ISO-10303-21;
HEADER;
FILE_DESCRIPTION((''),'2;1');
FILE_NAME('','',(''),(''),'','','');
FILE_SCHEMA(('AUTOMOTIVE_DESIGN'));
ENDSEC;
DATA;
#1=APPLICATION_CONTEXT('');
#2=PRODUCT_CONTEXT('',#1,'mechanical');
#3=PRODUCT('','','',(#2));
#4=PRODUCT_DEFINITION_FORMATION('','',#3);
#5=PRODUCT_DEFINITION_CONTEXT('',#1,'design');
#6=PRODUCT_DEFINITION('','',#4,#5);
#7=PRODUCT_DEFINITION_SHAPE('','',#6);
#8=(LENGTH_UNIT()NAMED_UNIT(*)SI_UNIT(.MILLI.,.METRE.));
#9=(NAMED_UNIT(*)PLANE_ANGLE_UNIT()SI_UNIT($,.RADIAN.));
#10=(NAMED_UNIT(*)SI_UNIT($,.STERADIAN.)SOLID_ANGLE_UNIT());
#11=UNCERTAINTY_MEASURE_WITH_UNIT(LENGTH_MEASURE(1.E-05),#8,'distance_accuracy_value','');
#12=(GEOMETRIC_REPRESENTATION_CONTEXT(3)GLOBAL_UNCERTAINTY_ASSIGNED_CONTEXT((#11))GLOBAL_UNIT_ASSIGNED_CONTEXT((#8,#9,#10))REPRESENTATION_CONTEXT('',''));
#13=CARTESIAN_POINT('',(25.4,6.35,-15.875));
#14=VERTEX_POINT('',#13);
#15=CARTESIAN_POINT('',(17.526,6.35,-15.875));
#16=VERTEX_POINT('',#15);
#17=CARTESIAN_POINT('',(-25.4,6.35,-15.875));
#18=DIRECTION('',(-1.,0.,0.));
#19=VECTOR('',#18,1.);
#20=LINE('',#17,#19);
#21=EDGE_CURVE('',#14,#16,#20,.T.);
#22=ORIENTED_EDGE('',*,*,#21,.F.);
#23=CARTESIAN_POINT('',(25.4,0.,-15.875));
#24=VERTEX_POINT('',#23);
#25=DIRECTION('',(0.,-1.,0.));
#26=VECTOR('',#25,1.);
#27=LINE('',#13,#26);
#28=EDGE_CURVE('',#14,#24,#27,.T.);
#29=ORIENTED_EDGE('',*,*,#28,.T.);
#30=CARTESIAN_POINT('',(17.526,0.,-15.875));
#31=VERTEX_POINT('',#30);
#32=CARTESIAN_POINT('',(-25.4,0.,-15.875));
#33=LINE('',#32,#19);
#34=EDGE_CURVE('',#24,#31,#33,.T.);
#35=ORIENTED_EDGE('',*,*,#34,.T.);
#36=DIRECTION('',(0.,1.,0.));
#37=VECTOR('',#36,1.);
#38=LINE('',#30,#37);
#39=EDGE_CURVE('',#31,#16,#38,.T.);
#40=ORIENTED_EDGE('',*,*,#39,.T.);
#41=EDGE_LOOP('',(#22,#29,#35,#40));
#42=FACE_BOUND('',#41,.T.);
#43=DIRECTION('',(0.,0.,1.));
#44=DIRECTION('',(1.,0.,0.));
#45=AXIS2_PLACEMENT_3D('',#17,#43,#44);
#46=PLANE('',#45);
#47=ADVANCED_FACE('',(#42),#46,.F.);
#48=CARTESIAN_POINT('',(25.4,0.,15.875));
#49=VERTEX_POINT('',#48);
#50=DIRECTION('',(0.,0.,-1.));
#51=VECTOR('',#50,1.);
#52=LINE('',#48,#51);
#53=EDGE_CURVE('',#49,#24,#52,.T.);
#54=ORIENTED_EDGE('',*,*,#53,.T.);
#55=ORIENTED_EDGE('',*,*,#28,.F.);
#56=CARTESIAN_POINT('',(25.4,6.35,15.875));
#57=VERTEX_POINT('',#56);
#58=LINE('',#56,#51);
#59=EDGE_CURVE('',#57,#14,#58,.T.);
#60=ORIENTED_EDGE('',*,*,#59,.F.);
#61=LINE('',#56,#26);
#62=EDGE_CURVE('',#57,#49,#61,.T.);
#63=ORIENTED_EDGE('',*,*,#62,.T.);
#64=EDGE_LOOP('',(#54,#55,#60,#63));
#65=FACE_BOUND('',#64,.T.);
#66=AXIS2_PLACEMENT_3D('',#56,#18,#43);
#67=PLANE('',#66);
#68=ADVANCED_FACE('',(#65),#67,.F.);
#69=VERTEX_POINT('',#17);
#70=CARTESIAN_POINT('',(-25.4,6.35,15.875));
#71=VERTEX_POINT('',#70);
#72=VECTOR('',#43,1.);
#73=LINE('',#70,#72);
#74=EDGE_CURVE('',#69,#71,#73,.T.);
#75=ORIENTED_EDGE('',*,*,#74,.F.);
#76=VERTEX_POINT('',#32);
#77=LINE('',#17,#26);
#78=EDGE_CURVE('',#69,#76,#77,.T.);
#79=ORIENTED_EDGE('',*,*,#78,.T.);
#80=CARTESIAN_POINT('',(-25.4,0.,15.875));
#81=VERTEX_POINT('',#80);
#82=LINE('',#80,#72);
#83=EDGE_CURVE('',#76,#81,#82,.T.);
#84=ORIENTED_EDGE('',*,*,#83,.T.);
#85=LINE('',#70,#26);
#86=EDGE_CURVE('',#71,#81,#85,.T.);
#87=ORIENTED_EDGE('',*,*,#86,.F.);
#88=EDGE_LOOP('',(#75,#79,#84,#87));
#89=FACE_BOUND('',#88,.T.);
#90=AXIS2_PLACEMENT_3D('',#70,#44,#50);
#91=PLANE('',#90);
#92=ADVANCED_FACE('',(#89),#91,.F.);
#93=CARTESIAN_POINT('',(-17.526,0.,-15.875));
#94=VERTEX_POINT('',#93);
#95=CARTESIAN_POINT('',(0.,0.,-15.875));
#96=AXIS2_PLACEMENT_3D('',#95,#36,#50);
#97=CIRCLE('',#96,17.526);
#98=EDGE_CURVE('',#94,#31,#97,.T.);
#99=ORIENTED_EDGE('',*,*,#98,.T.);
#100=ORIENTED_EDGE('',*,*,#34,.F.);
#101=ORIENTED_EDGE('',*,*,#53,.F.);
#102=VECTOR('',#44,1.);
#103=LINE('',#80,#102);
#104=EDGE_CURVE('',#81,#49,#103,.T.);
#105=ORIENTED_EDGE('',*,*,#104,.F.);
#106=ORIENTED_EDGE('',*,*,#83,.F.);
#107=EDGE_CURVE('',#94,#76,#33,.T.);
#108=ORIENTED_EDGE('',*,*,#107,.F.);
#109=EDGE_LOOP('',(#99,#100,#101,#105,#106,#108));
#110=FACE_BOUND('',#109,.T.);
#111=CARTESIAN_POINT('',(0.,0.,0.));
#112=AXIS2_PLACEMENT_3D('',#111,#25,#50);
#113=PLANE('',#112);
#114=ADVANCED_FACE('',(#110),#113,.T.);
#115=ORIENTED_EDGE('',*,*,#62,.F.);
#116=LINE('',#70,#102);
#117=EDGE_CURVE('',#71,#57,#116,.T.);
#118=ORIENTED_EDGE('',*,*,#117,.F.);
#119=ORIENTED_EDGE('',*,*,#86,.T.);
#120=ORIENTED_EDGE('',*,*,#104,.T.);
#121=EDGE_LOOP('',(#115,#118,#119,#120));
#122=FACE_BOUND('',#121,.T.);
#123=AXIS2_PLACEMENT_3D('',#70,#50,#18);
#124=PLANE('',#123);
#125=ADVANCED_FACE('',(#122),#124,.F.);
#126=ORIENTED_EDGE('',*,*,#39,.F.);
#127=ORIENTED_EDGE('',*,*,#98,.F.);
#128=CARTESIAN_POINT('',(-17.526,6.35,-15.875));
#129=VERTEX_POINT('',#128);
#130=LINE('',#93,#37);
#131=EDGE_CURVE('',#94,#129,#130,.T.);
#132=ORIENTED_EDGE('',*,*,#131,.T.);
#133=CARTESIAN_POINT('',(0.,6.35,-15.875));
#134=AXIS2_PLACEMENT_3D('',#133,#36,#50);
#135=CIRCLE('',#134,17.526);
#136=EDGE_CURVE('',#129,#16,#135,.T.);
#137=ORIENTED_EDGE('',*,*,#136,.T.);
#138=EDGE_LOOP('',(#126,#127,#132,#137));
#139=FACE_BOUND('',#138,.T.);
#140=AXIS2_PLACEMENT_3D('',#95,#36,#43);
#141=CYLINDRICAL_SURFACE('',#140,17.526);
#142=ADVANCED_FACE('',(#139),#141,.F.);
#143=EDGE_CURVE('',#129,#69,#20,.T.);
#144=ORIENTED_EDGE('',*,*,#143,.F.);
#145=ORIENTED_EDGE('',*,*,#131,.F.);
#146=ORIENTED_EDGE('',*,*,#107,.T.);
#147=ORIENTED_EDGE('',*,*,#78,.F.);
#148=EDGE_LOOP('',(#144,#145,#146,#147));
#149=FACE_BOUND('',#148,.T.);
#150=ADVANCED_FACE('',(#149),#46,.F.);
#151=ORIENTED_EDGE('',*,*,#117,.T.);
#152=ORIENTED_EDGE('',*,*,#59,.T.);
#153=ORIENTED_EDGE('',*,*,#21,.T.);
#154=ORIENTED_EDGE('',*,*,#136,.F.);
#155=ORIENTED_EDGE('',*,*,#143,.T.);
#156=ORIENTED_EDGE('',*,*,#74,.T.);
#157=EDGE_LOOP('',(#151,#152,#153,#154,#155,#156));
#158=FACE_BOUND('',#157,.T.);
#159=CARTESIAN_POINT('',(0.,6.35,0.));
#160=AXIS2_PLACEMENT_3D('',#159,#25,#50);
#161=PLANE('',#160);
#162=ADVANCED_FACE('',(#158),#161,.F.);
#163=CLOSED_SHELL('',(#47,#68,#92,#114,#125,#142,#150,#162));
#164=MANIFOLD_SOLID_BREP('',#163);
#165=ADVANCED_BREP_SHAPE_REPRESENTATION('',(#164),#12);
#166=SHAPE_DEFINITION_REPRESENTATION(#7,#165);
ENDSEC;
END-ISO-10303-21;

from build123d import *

# Parameters (mm, degrees)
SKETCH1_W           = 50.8
SKETCH1_H           = 31.75
BOSS_EXTRUDE1_DEPTH = 6.35
CUT_EXTRUDE1_DEPTH  = 6.35


with BuildPart() as part:
    # Sketch1 → Boss-Extrude1 (new body)
    with BuildSketch(Plane(origin=(0, 0, 0), x_dir=(1, 0, 0), z_dir=(0, 1, 0))):
        Rectangle(SKETCH1_W, SKETCH1_H)
    extrude(amount=BOSS_EXTRUDE1_DEPTH)

    # Sketch2 → Cut-Extrude1 (cut)
    with BuildSketch(Plane(origin=(0, 6.35, 0), x_dir=(1, 0, 0), z_dir=(0, 1, 0))):
        with BuildLine():
            Line((-17.526, 15.875), (17.526, 15.875))
            ThreePointArc((17.526, 15.875), (0, -1.651), (-17.526, 15.875))
        make_face()
    extrude(amount=-CUT_EXTRUDE1_DEPTH, mode=Mode.SUBTRACT)


solid = part.part
